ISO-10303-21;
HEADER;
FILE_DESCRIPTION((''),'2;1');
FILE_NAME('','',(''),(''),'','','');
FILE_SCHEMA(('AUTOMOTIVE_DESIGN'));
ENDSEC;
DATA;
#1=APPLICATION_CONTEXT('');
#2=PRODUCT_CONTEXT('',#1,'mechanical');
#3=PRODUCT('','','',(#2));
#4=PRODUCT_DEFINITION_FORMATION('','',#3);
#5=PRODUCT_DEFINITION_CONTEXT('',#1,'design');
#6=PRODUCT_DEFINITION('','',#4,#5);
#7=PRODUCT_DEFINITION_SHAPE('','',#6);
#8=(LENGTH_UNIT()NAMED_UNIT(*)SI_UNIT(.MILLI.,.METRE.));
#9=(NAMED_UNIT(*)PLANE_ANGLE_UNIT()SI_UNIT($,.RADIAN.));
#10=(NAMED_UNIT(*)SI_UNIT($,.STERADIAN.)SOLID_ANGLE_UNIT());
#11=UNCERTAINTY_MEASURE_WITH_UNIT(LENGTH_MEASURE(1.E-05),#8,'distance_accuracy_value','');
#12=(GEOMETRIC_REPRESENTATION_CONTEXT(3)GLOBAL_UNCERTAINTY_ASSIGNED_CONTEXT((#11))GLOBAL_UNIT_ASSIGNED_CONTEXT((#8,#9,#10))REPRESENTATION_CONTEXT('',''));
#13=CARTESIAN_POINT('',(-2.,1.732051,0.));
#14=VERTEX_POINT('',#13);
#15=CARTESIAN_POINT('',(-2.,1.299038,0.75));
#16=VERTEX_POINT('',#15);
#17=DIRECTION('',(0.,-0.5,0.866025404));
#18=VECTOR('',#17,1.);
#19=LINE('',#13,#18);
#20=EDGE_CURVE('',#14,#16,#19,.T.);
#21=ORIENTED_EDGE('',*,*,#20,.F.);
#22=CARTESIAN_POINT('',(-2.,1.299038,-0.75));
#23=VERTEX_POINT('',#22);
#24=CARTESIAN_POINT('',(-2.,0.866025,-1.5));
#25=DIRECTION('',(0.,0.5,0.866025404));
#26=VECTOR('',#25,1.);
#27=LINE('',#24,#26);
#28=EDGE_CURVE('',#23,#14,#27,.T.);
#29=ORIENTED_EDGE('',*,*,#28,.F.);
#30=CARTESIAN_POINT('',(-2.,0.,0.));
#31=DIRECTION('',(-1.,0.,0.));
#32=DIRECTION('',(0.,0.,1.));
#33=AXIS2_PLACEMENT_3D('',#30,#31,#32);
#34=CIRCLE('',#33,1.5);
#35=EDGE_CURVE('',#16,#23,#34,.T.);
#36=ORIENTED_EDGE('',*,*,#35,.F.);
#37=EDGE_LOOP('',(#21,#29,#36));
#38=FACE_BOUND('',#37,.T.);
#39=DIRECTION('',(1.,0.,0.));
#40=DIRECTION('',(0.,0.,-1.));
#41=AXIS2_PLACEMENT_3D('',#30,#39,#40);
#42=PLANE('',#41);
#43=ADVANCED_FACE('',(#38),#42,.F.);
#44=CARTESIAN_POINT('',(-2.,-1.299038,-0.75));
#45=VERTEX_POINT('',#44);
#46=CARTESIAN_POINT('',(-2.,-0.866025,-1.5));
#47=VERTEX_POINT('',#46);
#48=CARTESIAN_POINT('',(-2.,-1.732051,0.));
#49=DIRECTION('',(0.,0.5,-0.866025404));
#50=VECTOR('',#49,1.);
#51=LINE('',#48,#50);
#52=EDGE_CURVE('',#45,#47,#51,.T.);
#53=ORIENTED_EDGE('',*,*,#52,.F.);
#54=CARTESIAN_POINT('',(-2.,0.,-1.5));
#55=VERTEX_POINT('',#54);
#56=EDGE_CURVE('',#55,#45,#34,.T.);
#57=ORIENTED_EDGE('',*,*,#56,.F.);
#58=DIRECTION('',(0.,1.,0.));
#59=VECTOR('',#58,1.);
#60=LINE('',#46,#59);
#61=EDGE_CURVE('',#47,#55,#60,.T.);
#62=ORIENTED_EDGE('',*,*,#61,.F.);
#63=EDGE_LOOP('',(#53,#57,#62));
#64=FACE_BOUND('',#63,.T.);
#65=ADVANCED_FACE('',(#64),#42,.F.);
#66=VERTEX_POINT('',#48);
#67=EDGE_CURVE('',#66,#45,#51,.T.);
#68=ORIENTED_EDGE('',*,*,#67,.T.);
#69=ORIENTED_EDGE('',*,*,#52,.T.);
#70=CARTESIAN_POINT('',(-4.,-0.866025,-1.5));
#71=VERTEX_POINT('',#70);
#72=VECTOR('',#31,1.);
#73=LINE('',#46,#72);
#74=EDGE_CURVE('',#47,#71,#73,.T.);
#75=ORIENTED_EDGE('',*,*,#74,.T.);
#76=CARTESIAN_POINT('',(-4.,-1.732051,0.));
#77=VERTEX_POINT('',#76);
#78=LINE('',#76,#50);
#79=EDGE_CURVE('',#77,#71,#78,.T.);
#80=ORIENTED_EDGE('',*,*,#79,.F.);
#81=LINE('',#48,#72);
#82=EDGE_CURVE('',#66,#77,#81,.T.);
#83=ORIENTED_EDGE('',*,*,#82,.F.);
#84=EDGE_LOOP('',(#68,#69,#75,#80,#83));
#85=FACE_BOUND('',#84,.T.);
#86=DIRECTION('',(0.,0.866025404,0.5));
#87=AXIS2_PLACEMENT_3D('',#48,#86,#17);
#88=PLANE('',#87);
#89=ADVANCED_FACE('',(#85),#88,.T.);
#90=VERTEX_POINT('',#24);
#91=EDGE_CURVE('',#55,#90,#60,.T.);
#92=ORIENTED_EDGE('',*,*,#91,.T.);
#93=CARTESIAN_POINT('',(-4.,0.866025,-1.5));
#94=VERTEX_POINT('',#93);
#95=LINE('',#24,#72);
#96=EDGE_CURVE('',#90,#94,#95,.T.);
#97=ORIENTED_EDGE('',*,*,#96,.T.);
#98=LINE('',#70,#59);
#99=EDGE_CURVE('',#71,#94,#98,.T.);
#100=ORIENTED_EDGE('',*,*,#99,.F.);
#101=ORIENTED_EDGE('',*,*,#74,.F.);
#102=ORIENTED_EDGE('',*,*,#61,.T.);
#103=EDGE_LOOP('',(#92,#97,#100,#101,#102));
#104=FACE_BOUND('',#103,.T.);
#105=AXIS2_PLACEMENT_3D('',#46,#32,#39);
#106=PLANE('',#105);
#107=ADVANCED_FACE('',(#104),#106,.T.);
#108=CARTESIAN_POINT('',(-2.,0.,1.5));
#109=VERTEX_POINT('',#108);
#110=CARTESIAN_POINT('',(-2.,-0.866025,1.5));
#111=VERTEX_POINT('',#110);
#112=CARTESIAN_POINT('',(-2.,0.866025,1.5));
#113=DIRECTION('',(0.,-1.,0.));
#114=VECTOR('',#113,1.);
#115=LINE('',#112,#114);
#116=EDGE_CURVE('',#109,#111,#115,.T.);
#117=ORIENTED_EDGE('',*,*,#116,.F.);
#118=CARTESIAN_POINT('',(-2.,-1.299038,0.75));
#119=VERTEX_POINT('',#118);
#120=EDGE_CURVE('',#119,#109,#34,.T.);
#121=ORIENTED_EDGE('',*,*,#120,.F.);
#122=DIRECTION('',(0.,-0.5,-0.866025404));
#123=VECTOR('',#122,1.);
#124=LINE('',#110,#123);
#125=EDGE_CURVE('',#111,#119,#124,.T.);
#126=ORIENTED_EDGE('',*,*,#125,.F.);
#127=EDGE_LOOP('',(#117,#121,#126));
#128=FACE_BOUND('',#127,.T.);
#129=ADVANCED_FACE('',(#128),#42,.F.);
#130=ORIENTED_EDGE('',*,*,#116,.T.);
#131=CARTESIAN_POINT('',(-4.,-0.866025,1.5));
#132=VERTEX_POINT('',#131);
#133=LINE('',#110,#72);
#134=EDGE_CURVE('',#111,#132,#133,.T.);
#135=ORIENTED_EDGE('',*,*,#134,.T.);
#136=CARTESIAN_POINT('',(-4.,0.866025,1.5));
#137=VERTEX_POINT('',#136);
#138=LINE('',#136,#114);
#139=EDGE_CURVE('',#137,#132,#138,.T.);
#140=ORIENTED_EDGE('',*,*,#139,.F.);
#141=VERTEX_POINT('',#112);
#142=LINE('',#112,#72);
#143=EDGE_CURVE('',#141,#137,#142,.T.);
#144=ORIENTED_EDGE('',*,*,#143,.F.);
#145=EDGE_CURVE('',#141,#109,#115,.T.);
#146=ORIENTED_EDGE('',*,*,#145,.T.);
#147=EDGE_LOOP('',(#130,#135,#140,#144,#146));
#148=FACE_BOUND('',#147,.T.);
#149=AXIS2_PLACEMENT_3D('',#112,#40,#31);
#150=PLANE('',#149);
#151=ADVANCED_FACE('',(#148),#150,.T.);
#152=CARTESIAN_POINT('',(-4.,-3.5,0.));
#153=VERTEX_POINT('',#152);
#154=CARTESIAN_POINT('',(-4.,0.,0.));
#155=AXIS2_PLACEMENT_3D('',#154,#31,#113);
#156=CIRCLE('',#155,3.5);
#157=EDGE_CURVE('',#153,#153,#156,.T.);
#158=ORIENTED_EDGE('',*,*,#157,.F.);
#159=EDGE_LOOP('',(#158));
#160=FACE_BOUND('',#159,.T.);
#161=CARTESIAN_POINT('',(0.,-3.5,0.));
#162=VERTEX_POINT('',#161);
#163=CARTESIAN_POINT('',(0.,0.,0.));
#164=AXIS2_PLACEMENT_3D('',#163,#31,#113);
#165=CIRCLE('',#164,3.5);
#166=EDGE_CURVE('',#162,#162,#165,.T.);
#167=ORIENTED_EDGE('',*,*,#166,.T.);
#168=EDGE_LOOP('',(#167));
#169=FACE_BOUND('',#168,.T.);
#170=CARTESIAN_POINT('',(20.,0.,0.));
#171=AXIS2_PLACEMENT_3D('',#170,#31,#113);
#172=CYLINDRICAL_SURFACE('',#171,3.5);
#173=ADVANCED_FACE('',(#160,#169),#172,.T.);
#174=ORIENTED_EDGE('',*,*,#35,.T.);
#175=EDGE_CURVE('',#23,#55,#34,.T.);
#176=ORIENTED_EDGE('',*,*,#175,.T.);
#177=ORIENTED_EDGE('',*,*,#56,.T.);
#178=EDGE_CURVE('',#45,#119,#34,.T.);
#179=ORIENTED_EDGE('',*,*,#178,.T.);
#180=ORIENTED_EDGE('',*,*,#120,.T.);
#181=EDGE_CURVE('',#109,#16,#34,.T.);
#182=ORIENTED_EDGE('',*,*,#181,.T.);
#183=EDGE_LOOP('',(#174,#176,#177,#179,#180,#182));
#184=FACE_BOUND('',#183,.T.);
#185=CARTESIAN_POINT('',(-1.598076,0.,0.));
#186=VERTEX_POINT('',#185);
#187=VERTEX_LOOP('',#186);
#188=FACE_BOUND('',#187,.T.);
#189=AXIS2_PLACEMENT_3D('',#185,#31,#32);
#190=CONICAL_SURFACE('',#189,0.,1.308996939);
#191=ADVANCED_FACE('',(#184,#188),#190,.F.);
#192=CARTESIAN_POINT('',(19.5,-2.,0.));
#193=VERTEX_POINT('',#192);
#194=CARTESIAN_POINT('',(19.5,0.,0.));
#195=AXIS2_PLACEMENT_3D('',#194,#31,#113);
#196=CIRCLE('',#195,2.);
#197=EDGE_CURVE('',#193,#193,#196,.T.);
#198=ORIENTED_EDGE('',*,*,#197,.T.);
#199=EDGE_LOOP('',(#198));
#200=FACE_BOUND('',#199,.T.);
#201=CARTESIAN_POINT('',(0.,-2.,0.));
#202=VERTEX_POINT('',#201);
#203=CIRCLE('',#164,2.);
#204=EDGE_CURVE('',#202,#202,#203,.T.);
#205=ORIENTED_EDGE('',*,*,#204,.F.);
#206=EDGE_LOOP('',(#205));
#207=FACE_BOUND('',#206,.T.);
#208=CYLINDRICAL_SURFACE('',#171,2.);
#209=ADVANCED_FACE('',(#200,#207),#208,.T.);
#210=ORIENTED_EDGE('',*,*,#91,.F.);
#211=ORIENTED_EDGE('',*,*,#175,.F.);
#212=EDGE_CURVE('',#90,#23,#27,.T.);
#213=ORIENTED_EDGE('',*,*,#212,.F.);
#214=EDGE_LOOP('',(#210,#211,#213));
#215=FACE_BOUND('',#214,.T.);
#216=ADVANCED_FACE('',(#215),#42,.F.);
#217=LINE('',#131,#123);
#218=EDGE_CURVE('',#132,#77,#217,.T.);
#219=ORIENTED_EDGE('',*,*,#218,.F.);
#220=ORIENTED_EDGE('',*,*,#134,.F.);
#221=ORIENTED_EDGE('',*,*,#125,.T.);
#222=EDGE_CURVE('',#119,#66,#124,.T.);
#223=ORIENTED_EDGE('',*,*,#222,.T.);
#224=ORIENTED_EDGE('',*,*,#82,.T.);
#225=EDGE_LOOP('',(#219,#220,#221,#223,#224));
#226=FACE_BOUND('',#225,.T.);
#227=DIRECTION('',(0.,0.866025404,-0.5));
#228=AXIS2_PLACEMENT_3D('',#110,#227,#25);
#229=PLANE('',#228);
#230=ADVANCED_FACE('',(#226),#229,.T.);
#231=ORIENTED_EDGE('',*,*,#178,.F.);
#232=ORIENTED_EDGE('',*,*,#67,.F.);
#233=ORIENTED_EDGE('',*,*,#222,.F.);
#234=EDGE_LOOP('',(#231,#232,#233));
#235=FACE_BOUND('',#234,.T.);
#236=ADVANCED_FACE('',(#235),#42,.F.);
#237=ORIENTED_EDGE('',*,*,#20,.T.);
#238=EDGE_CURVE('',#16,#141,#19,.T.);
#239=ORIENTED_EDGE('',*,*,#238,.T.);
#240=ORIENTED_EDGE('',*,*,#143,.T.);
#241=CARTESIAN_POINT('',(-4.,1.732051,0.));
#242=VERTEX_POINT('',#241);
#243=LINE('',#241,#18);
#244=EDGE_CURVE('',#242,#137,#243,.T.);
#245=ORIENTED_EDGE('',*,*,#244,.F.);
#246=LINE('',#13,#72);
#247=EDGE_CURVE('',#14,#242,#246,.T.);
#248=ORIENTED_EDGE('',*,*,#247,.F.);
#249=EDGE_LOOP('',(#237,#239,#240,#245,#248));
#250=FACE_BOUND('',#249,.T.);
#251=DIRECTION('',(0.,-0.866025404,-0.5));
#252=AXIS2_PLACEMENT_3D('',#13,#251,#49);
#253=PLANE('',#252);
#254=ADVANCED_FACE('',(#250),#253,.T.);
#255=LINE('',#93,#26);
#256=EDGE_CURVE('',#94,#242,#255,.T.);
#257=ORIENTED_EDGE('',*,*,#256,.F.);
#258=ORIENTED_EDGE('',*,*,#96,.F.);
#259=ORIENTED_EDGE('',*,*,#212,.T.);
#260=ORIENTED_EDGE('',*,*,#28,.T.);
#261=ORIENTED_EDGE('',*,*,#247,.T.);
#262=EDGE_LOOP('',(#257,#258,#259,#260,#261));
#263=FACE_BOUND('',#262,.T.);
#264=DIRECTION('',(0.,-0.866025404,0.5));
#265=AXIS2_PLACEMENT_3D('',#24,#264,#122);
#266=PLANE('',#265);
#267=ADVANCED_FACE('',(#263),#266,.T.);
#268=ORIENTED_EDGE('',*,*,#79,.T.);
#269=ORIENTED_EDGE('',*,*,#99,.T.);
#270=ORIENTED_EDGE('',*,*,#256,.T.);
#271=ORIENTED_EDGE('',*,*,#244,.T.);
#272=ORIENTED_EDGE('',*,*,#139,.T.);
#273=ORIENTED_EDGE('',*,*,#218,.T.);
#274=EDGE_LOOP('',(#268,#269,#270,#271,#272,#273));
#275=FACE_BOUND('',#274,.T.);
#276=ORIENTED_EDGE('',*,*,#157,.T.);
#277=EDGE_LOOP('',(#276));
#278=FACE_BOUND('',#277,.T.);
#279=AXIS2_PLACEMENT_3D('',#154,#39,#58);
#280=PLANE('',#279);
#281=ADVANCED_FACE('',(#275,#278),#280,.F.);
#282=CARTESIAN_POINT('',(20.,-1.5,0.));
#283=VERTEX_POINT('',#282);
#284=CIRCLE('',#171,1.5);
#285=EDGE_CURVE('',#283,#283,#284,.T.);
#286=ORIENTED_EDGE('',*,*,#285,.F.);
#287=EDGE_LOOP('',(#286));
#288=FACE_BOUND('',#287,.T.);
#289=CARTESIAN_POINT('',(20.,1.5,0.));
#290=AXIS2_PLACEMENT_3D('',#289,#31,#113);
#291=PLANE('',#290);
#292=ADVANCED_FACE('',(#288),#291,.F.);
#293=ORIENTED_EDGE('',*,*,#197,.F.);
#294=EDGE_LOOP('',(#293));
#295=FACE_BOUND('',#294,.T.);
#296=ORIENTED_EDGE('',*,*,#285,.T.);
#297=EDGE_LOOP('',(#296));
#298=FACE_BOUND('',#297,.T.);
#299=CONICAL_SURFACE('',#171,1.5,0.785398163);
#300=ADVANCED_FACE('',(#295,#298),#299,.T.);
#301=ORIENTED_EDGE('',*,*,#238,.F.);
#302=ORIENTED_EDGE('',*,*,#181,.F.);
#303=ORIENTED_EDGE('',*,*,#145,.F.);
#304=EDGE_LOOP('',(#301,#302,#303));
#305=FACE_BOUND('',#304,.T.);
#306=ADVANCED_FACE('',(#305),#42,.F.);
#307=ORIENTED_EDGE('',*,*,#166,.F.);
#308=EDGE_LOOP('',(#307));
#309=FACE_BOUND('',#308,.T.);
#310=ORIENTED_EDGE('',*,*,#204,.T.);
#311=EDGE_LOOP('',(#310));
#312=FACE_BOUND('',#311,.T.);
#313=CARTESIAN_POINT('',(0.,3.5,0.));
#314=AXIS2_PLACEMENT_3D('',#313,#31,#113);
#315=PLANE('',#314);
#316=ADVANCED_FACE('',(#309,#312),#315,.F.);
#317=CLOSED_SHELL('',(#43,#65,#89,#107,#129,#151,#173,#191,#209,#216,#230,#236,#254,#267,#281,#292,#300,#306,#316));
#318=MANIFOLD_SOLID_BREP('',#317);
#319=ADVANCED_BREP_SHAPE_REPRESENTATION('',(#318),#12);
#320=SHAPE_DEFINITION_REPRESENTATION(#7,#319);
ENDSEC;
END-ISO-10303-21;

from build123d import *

# Parameters (mm, degrees)
CUT_EXTRUDE_1_DEPTH = 2


with BuildPart() as part:
    # 草圖1 → 旋轉1 (revolve)
    with BuildSketch(Plane.XY):
        Polygon((-4, 0), (-4, 3.5), (0, 3.5), (0, 2), (19.5, 2), (20, 1.5), (20, 0), align=None)
    revolve(axis=Axis((20, 0, 0), (-1, 0, 0)))

    # 草圖2 → 除料-旋轉1 (revolve, cut)
    with BuildSketch(Plane.XY):
        Polygon((-4, 0), (-4, 1.5), (-2, 1.5), (-1.598076211, 0), align=None)
    revolve(axis=Axis((-1.598076211, 0, 0), (-1, 0, 0)), mode=Mode.SUBTRACT)

    # 草圖3 → 除料-伸長1 (cut)
    with BuildSketch(Plane(origin=(-4, 0, 0), x_dir=(0, 0, -1), z_dir=(1, 0, 0))):
        Polygon((-1.5, 0.866025404), (-1.5, -0.866025404), (0, -1.732050808), (1.5, -0.866025404), (1.5, 0.866025404), (0, 1.732050808), align=None)
    extrude(amount=CUT_EXTRUDE_1_DEPTH, mode=Mode.SUBTRACT)


solid = part.part
